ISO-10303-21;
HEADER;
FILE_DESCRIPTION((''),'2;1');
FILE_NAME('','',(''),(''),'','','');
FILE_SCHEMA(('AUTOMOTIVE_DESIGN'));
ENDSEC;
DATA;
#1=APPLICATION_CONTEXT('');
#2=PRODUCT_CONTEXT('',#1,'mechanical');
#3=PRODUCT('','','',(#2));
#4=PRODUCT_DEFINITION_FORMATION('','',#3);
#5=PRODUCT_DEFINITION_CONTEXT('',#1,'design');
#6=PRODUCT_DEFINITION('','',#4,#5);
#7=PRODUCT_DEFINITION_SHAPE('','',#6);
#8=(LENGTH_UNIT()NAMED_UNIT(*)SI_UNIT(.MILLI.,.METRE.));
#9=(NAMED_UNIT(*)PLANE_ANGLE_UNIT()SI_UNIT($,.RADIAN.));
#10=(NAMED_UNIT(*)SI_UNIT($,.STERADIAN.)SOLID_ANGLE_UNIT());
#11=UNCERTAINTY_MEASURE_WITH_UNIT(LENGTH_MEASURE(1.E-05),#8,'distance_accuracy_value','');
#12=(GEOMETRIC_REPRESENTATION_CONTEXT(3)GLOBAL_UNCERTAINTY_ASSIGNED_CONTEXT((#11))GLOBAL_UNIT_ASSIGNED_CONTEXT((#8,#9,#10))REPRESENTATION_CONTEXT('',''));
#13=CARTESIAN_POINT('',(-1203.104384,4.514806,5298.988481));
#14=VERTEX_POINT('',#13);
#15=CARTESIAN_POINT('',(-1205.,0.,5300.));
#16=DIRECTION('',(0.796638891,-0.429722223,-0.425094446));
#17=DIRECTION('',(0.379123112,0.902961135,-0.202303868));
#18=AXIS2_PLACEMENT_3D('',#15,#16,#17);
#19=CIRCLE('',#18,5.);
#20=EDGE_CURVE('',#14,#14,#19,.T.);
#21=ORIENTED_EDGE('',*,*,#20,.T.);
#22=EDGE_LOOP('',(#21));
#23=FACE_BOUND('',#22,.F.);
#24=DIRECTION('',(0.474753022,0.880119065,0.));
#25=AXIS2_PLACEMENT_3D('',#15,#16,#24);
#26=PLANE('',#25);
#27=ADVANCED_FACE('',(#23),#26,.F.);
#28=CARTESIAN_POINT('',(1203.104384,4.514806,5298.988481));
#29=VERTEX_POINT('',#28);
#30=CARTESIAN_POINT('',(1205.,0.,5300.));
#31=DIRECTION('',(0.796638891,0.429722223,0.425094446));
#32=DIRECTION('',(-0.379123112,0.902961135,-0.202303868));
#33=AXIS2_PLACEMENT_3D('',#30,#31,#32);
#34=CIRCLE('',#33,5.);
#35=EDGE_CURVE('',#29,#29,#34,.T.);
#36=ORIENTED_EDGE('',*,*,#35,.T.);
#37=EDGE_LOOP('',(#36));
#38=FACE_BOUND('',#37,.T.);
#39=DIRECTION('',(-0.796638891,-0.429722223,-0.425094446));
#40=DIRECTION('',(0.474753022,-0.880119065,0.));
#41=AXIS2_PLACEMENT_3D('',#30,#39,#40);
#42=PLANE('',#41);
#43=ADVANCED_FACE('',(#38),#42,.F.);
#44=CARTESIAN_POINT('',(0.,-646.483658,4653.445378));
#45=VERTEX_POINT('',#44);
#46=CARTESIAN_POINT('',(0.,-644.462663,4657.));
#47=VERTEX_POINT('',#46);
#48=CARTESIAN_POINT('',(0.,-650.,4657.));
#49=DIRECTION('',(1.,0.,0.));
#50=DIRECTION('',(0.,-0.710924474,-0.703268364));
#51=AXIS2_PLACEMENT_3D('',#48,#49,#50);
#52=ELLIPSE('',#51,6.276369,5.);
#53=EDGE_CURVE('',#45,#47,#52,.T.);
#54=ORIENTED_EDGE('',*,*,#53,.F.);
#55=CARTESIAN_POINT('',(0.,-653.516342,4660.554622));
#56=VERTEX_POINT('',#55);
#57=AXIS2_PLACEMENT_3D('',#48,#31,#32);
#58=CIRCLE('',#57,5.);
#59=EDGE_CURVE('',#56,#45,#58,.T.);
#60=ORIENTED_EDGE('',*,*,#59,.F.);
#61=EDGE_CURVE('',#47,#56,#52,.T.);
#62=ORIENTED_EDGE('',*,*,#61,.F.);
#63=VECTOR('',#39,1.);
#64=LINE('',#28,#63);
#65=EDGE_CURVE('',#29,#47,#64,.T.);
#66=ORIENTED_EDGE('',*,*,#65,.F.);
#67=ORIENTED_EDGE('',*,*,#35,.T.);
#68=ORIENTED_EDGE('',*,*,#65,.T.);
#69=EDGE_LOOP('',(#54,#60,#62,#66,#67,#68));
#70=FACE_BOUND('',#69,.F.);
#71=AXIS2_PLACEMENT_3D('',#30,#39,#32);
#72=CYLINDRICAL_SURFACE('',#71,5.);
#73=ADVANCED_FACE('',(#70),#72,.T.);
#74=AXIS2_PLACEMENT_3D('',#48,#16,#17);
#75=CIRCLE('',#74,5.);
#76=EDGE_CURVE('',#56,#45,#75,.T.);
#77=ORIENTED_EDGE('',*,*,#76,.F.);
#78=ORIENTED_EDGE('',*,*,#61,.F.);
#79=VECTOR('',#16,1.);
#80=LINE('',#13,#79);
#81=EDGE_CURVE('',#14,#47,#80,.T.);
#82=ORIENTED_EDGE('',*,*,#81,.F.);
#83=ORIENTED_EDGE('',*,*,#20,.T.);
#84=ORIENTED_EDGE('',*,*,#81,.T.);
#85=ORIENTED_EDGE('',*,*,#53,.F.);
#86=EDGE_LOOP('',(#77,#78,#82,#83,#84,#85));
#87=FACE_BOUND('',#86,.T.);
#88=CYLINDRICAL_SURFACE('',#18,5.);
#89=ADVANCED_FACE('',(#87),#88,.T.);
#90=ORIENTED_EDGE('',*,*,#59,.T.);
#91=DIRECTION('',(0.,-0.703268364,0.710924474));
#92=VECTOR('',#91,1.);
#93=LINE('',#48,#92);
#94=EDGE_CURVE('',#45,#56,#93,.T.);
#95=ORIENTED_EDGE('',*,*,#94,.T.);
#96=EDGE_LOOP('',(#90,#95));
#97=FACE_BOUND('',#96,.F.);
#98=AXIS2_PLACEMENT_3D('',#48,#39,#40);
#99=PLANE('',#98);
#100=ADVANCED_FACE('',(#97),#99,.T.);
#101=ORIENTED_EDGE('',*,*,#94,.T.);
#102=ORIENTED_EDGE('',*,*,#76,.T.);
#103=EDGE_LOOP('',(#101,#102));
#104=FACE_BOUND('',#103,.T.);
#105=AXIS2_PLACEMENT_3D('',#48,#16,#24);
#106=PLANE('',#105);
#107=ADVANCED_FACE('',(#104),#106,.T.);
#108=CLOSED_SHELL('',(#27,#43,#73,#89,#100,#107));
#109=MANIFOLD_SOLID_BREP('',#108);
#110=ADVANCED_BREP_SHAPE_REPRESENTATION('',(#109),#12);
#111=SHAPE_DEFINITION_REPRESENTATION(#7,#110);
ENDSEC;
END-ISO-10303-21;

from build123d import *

# Parameters (mm, degrees)
F9_R = 5


with BuildPart() as f10:
    # F10: sweep along a path in F7
    with BuildLine(Plane(origin=(-271.5954708526, -503.4962190422, 0), x_dir=(-0.8801190645, 0.4747530224, 0), z_dir=(0.4747530224, 0.8801190645, 0))) as f10_path:
        Line((1060.5434727641, 5300), (-308.589464536, 4657))
    # F9 (on line) → F10 (sweep)
    with BuildSketch(Plane(origin=(-2559.5612646822, 1380.6762008659, 1365.8073802412), x_dir=(0.3791231123, 0.9029611346, -0.2023038682), z_dir=(0.7966388912, -0.4297222235, -0.4250944457))):
        with Locations((-1529.0538517121, 4108.6456259142)):
            Circle(F9_R)
    sweep(path=f10_path.line)

    # F11: F10 across plane


with BuildPart() as f10_1:
    add(f10.part)
    add(f10.part.mirror(Plane.YZ))


solid = f10_1.part
